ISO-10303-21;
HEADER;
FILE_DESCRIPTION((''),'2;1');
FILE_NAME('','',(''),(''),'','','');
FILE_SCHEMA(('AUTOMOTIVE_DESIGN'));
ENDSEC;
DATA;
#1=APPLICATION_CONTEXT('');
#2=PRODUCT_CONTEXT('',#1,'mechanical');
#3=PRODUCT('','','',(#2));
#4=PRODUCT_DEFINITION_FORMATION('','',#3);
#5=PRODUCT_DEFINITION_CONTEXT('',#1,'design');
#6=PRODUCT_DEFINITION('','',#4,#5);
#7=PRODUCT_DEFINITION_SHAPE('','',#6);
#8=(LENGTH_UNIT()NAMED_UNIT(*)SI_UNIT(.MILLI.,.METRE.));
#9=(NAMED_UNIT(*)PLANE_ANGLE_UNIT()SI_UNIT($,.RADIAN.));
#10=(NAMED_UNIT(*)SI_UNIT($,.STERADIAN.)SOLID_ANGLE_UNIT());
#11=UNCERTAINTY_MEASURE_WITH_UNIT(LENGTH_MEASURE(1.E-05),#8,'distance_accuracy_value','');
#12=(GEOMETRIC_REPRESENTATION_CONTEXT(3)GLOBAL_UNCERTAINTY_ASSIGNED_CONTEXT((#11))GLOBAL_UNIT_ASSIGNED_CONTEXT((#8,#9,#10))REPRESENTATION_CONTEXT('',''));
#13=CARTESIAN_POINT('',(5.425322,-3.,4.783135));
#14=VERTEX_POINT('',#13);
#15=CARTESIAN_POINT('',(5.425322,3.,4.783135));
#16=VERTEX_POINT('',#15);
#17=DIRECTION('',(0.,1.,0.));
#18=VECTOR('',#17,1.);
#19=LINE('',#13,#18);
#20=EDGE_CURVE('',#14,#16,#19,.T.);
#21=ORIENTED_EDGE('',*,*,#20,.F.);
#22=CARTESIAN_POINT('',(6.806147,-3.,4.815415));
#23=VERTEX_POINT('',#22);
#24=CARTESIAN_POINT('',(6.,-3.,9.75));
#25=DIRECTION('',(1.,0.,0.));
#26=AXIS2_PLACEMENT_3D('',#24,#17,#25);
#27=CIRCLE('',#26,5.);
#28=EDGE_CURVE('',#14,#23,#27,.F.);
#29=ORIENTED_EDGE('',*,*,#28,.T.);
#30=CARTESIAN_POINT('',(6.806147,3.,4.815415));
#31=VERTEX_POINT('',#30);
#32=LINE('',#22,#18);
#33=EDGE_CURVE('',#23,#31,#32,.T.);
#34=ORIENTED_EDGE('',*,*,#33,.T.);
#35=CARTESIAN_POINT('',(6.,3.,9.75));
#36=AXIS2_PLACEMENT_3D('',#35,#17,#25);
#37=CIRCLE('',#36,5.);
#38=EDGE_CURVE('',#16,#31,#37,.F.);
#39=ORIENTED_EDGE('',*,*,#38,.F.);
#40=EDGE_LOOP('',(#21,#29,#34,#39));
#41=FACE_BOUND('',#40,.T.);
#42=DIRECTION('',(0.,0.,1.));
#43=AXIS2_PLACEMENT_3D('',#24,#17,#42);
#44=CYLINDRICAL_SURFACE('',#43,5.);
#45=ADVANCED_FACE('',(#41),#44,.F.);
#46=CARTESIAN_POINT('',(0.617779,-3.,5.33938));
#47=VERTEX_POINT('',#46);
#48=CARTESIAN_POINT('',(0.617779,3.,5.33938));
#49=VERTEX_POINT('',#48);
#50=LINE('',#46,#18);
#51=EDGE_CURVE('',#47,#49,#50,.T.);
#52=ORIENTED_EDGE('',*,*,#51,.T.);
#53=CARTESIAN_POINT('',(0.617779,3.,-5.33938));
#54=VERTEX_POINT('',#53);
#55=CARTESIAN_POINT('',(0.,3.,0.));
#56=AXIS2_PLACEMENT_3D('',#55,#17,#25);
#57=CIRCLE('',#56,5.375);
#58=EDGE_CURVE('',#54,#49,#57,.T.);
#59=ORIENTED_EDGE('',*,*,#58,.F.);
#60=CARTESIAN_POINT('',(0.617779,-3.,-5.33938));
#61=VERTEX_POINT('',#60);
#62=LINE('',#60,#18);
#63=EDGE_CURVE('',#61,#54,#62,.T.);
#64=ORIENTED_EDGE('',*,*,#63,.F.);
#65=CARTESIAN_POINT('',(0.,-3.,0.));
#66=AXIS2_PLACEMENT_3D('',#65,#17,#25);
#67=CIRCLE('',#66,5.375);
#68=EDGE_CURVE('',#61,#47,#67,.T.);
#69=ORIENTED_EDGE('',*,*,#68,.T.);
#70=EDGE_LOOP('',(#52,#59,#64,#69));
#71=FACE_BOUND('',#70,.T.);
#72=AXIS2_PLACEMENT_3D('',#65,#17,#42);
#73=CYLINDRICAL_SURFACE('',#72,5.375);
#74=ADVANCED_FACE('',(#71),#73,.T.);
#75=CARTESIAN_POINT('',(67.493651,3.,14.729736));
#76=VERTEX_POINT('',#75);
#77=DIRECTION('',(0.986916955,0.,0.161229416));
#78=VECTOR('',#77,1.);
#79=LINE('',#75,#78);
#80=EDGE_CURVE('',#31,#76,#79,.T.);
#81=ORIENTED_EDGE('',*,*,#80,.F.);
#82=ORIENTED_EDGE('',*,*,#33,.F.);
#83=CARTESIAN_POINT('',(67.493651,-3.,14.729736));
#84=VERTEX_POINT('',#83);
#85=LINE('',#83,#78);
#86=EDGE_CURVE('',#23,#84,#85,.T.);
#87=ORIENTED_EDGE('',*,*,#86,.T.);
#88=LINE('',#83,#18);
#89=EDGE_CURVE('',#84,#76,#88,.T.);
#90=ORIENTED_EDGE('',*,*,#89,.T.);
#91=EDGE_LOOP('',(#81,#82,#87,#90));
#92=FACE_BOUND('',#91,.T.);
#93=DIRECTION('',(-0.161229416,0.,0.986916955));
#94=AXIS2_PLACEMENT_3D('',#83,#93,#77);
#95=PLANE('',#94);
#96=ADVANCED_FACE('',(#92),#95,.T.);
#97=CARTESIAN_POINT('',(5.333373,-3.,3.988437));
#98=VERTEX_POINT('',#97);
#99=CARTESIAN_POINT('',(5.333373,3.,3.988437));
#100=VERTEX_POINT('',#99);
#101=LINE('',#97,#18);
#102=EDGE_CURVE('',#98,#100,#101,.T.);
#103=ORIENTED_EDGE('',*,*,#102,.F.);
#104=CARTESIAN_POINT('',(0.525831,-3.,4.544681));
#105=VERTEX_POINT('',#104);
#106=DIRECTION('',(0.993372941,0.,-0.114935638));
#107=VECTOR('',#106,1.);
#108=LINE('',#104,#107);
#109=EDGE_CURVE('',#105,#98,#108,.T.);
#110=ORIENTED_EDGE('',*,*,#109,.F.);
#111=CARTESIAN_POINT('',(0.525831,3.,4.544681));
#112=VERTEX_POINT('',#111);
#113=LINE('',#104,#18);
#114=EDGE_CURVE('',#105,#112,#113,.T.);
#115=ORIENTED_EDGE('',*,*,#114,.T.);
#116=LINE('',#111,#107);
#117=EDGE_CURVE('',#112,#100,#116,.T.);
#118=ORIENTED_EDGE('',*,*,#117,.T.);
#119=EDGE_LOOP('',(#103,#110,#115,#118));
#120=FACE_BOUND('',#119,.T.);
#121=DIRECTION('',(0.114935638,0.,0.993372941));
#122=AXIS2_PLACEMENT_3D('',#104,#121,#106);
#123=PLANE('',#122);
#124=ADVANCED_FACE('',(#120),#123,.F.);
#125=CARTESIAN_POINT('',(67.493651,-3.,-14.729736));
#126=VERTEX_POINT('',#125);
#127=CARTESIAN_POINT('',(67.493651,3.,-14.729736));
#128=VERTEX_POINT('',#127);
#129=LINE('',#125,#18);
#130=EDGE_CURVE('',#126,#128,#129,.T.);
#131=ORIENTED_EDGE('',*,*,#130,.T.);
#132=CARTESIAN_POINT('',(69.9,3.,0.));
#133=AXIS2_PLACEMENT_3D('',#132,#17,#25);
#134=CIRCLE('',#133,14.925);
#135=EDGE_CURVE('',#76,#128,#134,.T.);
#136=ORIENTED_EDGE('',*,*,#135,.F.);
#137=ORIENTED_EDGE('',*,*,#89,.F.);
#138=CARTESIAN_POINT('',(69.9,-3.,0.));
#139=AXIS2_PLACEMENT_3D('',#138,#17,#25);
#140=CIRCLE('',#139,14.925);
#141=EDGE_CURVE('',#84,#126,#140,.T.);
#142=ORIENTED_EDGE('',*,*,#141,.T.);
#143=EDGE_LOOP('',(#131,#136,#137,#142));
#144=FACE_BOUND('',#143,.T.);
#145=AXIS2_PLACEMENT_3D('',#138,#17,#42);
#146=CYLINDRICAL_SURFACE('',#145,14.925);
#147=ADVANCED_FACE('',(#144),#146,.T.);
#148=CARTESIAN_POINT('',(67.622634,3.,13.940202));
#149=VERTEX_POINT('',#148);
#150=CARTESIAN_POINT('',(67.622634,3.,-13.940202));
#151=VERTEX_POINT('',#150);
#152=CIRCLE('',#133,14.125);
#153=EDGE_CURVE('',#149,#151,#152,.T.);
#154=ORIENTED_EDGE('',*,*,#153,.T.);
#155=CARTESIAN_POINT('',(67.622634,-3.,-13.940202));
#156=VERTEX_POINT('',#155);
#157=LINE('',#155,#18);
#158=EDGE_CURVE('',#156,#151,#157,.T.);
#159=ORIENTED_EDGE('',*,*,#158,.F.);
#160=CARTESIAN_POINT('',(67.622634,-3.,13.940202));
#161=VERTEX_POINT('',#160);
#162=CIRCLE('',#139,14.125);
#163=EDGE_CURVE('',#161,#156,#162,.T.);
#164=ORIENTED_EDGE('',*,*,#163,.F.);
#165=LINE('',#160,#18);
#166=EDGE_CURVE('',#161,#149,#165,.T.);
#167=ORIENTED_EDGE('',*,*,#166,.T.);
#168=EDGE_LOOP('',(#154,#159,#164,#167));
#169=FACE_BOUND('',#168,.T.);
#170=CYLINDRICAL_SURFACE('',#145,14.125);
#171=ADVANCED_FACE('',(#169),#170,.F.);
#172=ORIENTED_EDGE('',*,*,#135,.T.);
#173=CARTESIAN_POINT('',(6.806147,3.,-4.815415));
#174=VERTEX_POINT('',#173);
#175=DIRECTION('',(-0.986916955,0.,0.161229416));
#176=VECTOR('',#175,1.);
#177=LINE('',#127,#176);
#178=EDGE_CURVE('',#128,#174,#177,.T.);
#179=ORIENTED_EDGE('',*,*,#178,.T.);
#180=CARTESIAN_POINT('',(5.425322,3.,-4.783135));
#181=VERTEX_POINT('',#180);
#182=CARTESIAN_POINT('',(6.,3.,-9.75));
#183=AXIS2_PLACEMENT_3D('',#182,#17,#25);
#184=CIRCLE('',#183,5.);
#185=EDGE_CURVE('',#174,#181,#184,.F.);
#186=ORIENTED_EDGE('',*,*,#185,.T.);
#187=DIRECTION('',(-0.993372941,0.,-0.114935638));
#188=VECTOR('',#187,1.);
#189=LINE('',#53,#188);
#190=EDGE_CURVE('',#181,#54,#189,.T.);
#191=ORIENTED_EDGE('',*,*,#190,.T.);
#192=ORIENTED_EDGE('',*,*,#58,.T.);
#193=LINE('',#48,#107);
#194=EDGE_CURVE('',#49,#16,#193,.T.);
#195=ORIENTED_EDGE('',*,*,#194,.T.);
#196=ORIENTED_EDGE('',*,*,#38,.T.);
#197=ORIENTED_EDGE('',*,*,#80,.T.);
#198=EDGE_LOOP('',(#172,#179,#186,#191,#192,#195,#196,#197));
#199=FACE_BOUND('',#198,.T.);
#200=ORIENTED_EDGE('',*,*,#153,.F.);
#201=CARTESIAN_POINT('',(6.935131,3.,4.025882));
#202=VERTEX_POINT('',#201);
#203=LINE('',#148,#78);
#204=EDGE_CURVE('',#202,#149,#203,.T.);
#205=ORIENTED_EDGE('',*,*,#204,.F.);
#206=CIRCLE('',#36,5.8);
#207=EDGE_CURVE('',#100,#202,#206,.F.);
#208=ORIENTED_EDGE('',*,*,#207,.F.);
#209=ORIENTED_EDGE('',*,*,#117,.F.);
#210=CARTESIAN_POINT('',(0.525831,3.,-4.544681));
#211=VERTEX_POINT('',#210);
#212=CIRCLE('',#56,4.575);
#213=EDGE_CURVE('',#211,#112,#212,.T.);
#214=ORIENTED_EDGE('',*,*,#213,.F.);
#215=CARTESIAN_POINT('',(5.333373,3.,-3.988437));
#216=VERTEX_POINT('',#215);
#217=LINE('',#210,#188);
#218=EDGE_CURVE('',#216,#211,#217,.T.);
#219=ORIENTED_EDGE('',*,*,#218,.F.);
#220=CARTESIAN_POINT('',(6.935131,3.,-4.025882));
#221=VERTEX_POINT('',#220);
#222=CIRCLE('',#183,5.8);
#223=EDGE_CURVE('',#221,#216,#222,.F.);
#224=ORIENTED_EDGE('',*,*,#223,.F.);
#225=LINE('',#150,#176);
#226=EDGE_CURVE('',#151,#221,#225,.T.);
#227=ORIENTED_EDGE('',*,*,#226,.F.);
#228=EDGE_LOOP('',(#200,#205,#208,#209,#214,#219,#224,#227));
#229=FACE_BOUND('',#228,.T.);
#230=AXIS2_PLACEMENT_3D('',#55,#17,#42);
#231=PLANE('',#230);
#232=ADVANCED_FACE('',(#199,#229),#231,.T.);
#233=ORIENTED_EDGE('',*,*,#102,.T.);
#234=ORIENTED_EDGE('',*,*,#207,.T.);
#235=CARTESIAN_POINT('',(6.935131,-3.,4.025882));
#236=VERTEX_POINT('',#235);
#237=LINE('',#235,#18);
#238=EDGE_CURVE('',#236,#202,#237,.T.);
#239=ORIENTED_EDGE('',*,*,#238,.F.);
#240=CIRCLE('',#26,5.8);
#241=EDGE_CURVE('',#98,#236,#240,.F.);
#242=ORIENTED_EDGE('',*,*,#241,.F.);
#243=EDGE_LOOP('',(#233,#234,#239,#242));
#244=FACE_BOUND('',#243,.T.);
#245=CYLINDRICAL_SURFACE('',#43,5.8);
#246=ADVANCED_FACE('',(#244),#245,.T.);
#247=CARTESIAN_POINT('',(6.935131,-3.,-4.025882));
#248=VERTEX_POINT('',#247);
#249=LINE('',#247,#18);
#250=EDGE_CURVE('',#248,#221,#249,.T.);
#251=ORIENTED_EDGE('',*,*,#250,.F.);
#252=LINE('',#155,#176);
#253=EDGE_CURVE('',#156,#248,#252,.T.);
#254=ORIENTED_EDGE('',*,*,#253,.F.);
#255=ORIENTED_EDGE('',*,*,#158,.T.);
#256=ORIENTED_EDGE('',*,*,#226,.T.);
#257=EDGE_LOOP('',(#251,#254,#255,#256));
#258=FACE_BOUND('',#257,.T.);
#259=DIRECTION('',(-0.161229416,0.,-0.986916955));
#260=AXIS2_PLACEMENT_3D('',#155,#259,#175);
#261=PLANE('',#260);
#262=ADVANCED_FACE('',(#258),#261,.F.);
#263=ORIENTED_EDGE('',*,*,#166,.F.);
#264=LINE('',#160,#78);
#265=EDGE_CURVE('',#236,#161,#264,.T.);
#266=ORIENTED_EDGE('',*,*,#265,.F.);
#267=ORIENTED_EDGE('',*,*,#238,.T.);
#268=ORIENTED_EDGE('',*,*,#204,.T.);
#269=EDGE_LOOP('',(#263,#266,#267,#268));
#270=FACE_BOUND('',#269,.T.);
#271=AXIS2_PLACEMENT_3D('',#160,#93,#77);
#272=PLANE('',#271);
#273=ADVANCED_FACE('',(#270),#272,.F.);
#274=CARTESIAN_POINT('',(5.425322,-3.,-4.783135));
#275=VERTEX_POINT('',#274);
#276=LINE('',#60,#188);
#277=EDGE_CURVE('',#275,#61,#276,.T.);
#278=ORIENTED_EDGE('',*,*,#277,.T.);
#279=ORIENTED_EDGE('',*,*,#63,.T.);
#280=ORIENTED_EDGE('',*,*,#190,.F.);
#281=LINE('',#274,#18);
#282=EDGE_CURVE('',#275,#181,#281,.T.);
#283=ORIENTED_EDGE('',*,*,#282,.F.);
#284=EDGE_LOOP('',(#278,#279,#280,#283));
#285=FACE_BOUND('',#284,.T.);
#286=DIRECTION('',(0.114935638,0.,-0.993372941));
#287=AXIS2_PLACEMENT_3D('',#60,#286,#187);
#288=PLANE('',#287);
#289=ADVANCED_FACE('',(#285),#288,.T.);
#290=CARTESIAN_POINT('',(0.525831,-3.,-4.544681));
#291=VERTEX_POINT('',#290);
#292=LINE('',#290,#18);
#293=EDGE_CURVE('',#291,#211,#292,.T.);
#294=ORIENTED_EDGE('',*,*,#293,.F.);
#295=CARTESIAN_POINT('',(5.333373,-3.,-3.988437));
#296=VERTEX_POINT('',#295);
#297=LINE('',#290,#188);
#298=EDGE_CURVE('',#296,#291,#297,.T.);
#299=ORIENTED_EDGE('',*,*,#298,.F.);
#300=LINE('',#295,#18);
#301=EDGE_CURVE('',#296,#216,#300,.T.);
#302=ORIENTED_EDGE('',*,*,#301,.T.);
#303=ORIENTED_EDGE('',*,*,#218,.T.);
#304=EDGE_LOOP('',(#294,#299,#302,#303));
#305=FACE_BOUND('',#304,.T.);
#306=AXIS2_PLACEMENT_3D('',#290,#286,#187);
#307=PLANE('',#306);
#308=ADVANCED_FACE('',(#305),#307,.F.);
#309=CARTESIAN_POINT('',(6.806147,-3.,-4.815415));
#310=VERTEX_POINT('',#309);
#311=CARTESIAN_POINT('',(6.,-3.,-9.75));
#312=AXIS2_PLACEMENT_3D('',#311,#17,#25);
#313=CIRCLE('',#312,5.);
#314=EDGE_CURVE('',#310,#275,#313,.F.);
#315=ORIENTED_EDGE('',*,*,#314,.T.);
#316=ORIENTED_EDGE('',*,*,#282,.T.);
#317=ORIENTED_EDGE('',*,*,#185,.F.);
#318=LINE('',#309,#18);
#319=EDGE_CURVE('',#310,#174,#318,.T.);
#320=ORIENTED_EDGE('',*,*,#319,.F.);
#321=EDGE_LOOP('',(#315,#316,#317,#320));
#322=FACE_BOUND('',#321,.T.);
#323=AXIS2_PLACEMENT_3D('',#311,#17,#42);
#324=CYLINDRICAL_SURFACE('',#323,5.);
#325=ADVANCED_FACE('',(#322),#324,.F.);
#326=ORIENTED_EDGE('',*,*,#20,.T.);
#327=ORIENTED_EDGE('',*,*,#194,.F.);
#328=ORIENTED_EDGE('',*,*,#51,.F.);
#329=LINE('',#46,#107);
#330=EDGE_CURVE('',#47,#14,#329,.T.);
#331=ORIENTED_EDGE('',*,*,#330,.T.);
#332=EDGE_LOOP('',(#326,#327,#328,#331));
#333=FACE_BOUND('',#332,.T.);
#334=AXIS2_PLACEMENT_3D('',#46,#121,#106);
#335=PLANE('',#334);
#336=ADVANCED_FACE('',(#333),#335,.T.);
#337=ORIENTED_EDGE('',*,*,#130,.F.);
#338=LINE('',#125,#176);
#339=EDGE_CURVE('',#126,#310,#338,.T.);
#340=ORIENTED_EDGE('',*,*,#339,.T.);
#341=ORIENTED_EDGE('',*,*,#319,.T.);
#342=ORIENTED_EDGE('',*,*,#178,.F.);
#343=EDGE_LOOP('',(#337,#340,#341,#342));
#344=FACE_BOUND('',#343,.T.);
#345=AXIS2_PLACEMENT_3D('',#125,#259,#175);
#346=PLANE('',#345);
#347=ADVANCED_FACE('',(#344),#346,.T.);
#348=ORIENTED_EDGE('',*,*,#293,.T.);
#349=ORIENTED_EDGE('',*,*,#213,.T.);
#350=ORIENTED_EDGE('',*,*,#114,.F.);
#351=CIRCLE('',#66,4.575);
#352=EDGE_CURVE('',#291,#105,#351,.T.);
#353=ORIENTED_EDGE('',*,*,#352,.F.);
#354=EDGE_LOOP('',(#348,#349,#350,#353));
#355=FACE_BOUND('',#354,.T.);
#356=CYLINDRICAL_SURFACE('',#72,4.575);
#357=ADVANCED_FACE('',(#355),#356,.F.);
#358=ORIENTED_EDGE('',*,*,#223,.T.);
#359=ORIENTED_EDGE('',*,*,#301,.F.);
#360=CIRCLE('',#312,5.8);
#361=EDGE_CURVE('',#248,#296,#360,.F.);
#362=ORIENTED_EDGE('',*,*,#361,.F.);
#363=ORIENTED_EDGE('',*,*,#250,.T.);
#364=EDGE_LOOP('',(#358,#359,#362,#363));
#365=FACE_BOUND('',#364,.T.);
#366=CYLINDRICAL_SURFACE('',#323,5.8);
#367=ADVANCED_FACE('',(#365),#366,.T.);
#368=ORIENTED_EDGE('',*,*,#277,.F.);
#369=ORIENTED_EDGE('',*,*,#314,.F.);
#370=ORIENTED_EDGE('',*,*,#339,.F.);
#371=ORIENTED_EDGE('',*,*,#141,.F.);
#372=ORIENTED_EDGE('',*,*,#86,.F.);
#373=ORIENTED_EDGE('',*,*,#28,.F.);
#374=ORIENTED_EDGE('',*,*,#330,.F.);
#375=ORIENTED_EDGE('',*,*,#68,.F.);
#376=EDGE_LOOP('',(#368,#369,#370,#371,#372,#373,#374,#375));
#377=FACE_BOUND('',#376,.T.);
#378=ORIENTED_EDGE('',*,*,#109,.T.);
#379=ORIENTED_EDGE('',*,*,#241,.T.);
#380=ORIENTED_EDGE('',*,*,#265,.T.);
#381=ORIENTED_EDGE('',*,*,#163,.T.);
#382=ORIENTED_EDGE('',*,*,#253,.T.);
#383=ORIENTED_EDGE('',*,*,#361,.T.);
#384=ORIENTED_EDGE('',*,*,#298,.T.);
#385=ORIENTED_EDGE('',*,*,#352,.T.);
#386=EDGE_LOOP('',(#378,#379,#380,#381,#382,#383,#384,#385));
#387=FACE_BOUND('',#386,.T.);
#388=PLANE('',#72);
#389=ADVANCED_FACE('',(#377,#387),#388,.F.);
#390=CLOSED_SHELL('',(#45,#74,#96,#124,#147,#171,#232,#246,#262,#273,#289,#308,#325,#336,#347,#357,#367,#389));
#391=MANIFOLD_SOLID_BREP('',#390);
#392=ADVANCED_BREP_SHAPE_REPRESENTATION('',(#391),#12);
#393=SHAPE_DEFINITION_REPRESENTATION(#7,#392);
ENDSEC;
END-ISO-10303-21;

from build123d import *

# Parameters (mm, degrees)
LINEAR_AUSTRAGEN_D_NN1_DEPTH      = 3
LINEAR_AUSTRAGEN_D_NN1_DEPTH_BACK = 3


with BuildPart() as part:
    # Skizze1 → Linear-Austragen-Dünn1 (new body, two sides)
    with BuildSketch(Plane(origin=(0, 0, 0), x_dir=(1, 0, 0), z_dir=(0, 1, 0))) as linear_austragen_d_nn1_sk:
        with BuildLine():
            Line((5.425321809, 4.783135297), (0.617779056, 5.339379556))
            ThreePointArc((0.617779056, 5.339379556), (-5.375, 0), (0.617779056, -5.339379556))
            Line((0.617779056, -5.339379556), (5.425321809, -4.783135297))
            ThreePointArc((5.425321809, -4.783135297), (6.11685444, -4.751365683), (6.806147081, -4.815415227))
            Line((6.806147081, -4.815415227), (67.493650964, -14.729735548))
            ThreePointArc((67.493650964, -14.729735548), (84.825, 0), (67.493650964, 14.729735548))
            Line((67.493650964, 14.729735548), (6.806147081, 4.815415227))
            ThreePointArc((6.806147081, 4.815415227), (6.11685444, 4.751365683), (5.425321809, 4.783135297))
        make_face()
        with BuildLine():
            Line((5.333373298, 3.988436945), (0.525830545, 4.544681203))
            ThreePointArc((0.525830545, 4.544681203), (-4.575, 0), (0.525830545, -4.544681203))
            Line((0.525830545, -4.544681203), (5.333373298, -3.988436945))
            ThreePointArc((5.333373298, -3.988436945), (6.135551151, -3.951584192), (6.935130614, -4.025881663))
            Line((6.935130614, -4.025881663), (67.622634497, -13.940201984))
            ThreePointArc((67.622634497, -13.940201984), (84.025, 0), (67.622634497, 13.940201984))
            Line((67.622634497, 13.940201984), (6.935130614, 4.025881663))
            ThreePointArc((6.935130614, 4.025881663), (6.135551151, 3.951584192), (5.333373298, 3.988436945))
        make_face(mode=Mode.SUBTRACT)
    extrude(amount=LINEAR_AUSTRAGEN_D_NN1_DEPTH)
    extrude(linear_austragen_d_nn1_sk.sketch, amount=-LINEAR_AUSTRAGEN_D_NN1_DEPTH_BACK)


solid = part.part
